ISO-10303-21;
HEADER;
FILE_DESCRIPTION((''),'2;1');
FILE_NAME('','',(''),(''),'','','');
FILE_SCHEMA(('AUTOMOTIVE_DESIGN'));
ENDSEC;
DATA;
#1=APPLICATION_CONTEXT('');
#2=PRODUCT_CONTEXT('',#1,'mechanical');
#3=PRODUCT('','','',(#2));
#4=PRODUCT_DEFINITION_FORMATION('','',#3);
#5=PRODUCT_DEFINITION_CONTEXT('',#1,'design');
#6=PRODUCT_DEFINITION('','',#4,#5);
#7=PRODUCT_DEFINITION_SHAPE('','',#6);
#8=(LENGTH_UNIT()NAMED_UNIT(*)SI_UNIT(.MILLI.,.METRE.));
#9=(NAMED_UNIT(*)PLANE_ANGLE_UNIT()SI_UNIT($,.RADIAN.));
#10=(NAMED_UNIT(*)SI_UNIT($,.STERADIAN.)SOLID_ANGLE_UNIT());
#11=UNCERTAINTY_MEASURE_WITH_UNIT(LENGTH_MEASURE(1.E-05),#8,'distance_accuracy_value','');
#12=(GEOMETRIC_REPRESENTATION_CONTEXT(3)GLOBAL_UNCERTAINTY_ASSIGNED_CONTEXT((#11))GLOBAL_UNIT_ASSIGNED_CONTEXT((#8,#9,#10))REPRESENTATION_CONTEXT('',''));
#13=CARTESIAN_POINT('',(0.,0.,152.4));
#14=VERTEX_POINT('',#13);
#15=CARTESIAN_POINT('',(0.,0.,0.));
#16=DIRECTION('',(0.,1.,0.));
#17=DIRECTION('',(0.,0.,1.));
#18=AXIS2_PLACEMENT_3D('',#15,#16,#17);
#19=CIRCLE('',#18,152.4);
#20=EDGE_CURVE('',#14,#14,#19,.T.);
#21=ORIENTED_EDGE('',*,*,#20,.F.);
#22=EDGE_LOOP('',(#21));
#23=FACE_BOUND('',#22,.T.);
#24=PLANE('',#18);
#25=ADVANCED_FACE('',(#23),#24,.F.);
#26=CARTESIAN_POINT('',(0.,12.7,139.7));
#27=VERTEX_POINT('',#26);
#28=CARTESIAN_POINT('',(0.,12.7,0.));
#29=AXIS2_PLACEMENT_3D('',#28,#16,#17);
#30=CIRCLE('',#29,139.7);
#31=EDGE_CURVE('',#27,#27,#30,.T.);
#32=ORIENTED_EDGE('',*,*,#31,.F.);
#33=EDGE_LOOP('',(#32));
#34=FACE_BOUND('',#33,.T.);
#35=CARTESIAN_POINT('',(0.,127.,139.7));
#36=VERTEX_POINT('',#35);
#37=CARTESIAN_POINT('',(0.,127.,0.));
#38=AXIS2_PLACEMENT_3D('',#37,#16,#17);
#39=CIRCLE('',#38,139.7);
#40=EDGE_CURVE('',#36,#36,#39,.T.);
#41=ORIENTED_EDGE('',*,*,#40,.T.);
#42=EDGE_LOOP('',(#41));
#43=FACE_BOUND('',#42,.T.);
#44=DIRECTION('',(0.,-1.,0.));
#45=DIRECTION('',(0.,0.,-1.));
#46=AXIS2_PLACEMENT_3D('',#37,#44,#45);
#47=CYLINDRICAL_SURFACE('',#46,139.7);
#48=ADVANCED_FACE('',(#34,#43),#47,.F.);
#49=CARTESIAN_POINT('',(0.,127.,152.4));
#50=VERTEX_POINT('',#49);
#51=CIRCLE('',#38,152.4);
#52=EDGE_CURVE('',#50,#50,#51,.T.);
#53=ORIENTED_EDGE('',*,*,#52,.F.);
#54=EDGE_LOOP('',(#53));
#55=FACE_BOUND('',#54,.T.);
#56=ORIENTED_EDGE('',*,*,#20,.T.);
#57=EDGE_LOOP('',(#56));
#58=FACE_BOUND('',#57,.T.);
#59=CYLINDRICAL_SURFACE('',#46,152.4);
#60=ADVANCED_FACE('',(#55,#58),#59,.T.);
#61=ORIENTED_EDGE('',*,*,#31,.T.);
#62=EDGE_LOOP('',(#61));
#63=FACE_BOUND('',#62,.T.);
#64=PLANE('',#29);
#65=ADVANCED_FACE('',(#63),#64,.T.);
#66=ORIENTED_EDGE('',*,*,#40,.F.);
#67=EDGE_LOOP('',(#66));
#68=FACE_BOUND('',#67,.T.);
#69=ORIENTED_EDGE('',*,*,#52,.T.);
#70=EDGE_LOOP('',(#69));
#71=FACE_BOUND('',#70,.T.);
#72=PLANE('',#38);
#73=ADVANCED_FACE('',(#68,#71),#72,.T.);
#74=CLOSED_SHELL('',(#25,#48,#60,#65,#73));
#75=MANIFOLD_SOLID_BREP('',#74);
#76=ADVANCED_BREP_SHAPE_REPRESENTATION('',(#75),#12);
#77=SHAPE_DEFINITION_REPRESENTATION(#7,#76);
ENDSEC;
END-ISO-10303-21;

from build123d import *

# Parameters (mm, degrees)
SKETCH1_R           = 152.4
SKETCH1_R_2         = 139.7
BOSS_EXTRUDE2_DEPTH = 127
SKETCH1_7_R         = 139.7
BOSS_EXTRUDE3_DEPTH = 12.7


with BuildPart() as part:
    # Sketch1 → Boss-Extrude2 (new body)
    with BuildSketch(Plane(origin=(0, 0, 0), x_dir=(1, 0, 0), z_dir=(0, 1, 0))):
        Circle(SKETCH1_R)
        Circle(SKETCH1_R_2, mode=Mode.SUBTRACT)
    extrude(amount=BOSS_EXTRUDE2_DEPTH)

    # Sketch1<7> → Boss-Extrude3 (add)
    with BuildSketch(Plane(origin=(0, 0, 0), x_dir=(1, 0, 0), z_dir=(0, 1, 0))):
        Circle(SKETCH1_7_R)
    extrude(amount=BOSS_EXTRUDE3_DEPTH)


solid = part.part
